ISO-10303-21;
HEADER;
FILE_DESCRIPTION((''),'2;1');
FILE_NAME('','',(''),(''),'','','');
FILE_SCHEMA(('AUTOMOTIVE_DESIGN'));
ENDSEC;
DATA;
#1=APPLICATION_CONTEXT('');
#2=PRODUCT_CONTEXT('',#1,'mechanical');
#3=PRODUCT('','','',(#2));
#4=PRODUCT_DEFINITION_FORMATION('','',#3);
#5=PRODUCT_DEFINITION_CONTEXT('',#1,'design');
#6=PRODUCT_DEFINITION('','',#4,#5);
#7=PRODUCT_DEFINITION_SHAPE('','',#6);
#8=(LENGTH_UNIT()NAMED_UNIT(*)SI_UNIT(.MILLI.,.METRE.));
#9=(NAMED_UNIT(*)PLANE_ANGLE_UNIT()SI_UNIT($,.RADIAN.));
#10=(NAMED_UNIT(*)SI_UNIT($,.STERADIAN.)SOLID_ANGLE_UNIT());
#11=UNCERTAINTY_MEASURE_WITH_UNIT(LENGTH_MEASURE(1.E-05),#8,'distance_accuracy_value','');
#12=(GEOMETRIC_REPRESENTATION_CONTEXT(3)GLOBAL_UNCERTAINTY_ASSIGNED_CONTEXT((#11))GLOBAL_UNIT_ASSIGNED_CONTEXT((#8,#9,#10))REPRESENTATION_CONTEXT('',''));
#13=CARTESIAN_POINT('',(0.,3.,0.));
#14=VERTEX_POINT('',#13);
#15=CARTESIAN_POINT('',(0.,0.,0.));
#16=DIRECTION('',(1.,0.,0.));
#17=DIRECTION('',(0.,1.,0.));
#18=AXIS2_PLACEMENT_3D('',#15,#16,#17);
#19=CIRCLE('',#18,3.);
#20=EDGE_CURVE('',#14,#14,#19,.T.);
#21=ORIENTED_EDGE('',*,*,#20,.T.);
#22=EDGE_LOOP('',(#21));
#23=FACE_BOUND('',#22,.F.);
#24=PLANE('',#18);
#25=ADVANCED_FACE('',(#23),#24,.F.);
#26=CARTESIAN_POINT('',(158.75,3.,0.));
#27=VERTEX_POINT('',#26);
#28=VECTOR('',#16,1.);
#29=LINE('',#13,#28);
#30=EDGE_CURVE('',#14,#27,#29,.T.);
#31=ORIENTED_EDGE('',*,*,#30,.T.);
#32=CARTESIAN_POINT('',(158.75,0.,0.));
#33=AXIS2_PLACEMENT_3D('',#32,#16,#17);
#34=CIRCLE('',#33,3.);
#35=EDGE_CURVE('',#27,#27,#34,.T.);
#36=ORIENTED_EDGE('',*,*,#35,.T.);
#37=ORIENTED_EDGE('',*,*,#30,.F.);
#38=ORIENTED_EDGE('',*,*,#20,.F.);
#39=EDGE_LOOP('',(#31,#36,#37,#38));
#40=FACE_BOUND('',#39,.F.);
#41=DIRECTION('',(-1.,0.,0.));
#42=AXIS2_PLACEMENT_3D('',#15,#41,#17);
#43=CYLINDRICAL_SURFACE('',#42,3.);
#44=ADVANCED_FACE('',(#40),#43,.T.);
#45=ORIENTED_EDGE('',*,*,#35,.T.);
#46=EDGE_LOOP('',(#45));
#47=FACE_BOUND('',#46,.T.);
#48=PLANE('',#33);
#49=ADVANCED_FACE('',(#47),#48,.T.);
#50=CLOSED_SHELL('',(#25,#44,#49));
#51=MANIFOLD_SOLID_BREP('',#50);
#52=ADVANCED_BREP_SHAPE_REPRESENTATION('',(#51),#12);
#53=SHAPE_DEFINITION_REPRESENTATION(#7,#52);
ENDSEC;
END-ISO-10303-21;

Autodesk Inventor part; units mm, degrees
ref_plane "YZ Plane" through (0, 0, 0) normal (1, 0, 0) x (0, 1, 0)
ref_plane "XZ Plane" through (0, 0, 0) normal (0, 1, 0) x (-1, 0, 0)
ref_plane "XY Plane" through (0, 0, 0) normal (0, 0, 1) x (1, 0, 0)
sketch "Sketch1" plane through (0, 0, 0) normal (1, 0, 0) x (0, 1, 0)
  circle A0 centre (0, 0) radius 3
  dimension "d0" = 6
extrude "Extrusion1" add sketch "Sketch1" along normal blind 158.75
properties part number "ElevatorShaft"
